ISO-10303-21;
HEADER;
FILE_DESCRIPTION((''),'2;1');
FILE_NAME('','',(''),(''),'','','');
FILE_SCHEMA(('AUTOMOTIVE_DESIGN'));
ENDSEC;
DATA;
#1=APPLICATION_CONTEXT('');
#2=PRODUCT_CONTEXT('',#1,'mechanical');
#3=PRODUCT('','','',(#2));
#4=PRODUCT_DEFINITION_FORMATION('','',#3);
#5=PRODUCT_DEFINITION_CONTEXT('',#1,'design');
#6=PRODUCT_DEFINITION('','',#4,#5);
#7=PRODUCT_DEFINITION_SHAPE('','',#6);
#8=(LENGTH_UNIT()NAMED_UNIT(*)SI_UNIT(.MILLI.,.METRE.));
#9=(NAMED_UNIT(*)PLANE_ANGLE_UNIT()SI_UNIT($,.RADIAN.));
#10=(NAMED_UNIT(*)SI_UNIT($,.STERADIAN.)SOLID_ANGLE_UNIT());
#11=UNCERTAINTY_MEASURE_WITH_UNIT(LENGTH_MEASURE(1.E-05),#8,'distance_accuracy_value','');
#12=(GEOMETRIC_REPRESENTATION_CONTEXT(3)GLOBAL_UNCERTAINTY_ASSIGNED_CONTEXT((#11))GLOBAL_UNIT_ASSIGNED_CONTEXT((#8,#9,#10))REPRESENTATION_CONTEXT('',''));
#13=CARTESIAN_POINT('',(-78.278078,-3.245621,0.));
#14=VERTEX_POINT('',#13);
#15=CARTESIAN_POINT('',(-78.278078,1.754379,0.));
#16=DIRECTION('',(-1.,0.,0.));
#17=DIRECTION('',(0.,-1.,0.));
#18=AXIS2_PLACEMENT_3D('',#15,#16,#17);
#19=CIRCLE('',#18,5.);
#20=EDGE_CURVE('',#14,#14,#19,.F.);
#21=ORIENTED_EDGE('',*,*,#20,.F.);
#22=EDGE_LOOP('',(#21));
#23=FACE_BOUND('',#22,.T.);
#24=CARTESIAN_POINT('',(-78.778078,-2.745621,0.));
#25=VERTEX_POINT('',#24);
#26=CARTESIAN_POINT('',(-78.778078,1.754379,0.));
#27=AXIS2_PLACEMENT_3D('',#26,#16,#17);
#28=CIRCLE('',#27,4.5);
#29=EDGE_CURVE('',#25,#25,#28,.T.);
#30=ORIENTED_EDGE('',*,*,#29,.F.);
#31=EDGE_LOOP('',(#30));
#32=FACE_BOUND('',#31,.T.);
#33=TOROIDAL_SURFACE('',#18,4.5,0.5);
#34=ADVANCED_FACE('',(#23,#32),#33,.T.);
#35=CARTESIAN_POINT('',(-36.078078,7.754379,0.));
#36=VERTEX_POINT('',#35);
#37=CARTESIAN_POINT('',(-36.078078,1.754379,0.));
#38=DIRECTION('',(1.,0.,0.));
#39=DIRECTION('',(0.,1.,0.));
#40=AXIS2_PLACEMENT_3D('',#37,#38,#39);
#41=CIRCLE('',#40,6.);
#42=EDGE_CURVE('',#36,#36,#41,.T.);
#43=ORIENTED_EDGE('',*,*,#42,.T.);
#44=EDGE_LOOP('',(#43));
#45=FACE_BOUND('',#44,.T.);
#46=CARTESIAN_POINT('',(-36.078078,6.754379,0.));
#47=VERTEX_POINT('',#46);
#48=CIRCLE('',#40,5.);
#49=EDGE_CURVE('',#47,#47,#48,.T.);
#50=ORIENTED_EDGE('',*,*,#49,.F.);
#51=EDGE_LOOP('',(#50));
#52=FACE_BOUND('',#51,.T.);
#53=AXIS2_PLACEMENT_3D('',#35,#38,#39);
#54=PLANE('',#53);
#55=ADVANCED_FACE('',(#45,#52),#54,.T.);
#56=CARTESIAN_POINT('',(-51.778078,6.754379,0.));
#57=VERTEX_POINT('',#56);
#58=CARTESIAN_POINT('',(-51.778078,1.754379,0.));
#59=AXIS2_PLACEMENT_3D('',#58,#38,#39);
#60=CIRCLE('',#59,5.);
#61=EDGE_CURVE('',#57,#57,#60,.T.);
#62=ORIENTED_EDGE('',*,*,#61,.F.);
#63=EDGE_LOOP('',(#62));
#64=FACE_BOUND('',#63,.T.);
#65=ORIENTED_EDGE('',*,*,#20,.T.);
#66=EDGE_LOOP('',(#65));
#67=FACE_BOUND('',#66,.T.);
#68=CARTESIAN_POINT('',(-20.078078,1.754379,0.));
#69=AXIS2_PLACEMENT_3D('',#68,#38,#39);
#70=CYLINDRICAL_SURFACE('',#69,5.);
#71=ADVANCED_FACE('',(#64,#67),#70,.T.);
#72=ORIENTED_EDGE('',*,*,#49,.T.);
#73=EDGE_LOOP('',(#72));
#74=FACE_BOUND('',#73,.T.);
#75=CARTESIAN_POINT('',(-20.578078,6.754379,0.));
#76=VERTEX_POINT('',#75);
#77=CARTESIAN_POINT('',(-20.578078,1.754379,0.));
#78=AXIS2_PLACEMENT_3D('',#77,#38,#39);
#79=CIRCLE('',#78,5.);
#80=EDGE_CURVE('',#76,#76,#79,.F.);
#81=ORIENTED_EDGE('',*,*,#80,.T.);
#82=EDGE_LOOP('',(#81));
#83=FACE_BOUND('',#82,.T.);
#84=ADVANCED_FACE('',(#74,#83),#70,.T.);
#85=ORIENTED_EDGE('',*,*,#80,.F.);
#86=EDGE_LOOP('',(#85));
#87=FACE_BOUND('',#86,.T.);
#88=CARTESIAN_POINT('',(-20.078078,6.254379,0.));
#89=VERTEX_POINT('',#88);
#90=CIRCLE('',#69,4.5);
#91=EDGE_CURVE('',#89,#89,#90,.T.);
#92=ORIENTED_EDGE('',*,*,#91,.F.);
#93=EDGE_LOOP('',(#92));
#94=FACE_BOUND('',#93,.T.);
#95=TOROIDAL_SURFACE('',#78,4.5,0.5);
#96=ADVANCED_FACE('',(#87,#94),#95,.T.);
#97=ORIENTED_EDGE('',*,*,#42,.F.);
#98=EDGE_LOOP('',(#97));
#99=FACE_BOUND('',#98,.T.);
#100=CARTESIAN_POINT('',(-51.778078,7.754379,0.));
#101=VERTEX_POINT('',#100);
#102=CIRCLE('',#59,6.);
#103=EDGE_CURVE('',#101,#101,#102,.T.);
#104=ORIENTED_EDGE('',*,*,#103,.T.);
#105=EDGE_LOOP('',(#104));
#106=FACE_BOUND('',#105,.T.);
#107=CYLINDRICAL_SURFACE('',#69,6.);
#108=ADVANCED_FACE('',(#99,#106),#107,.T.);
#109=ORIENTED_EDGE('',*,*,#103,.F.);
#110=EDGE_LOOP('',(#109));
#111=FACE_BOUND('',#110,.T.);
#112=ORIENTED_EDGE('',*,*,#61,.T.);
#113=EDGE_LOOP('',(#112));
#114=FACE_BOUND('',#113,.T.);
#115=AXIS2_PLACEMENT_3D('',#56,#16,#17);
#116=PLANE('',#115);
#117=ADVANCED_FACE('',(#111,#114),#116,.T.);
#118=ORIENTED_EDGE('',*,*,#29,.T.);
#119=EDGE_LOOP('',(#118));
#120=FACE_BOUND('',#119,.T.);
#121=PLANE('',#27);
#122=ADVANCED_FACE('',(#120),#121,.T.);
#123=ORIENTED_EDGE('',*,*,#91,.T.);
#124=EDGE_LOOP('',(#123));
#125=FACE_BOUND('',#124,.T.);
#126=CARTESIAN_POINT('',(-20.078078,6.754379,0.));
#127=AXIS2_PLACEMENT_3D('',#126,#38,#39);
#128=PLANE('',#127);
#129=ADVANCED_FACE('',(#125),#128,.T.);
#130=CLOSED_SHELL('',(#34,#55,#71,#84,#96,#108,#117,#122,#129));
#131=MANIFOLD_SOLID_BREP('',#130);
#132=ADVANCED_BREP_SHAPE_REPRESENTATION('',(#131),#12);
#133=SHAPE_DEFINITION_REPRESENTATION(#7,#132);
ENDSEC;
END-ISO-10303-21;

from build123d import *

# Parameters (mm, degrees)
VERRUNDUNG1_R = 0.5


with BuildPart() as part:
    # Skizze1 → Rotation1 (revolve)
    with BuildSketch(Plane.XY):
        Polygon((-78.778077973, 1.754378812), (-78.778077973, 6.754378812), (-51.778077973, 6.754378812), (-51.778077973, 7.754378812), (-36.078077973, 7.754378812), (-36.078077973, 6.754378812), (-26.078077973, 6.754378812), (-25.078077973, 6.754378812), (-20.078077973, 6.754378812), (-20.078077973, 1.754378812), align=None)
    revolve(axis=Axis((-20.078077973, 1.754378812, 0), (-1, 0, 0)))

    # Verrundung1
    verrundung1_edges = [part.edges().sort_by_distance(p)[0] for p in [
        (-78.778077973, -3.245621188, 0),
        (-20.078077973, -3.245621188, 0),
    ]]
    fillet(verrundung1_edges, radius=VERRUNDUNG1_R)


solid = part.part
